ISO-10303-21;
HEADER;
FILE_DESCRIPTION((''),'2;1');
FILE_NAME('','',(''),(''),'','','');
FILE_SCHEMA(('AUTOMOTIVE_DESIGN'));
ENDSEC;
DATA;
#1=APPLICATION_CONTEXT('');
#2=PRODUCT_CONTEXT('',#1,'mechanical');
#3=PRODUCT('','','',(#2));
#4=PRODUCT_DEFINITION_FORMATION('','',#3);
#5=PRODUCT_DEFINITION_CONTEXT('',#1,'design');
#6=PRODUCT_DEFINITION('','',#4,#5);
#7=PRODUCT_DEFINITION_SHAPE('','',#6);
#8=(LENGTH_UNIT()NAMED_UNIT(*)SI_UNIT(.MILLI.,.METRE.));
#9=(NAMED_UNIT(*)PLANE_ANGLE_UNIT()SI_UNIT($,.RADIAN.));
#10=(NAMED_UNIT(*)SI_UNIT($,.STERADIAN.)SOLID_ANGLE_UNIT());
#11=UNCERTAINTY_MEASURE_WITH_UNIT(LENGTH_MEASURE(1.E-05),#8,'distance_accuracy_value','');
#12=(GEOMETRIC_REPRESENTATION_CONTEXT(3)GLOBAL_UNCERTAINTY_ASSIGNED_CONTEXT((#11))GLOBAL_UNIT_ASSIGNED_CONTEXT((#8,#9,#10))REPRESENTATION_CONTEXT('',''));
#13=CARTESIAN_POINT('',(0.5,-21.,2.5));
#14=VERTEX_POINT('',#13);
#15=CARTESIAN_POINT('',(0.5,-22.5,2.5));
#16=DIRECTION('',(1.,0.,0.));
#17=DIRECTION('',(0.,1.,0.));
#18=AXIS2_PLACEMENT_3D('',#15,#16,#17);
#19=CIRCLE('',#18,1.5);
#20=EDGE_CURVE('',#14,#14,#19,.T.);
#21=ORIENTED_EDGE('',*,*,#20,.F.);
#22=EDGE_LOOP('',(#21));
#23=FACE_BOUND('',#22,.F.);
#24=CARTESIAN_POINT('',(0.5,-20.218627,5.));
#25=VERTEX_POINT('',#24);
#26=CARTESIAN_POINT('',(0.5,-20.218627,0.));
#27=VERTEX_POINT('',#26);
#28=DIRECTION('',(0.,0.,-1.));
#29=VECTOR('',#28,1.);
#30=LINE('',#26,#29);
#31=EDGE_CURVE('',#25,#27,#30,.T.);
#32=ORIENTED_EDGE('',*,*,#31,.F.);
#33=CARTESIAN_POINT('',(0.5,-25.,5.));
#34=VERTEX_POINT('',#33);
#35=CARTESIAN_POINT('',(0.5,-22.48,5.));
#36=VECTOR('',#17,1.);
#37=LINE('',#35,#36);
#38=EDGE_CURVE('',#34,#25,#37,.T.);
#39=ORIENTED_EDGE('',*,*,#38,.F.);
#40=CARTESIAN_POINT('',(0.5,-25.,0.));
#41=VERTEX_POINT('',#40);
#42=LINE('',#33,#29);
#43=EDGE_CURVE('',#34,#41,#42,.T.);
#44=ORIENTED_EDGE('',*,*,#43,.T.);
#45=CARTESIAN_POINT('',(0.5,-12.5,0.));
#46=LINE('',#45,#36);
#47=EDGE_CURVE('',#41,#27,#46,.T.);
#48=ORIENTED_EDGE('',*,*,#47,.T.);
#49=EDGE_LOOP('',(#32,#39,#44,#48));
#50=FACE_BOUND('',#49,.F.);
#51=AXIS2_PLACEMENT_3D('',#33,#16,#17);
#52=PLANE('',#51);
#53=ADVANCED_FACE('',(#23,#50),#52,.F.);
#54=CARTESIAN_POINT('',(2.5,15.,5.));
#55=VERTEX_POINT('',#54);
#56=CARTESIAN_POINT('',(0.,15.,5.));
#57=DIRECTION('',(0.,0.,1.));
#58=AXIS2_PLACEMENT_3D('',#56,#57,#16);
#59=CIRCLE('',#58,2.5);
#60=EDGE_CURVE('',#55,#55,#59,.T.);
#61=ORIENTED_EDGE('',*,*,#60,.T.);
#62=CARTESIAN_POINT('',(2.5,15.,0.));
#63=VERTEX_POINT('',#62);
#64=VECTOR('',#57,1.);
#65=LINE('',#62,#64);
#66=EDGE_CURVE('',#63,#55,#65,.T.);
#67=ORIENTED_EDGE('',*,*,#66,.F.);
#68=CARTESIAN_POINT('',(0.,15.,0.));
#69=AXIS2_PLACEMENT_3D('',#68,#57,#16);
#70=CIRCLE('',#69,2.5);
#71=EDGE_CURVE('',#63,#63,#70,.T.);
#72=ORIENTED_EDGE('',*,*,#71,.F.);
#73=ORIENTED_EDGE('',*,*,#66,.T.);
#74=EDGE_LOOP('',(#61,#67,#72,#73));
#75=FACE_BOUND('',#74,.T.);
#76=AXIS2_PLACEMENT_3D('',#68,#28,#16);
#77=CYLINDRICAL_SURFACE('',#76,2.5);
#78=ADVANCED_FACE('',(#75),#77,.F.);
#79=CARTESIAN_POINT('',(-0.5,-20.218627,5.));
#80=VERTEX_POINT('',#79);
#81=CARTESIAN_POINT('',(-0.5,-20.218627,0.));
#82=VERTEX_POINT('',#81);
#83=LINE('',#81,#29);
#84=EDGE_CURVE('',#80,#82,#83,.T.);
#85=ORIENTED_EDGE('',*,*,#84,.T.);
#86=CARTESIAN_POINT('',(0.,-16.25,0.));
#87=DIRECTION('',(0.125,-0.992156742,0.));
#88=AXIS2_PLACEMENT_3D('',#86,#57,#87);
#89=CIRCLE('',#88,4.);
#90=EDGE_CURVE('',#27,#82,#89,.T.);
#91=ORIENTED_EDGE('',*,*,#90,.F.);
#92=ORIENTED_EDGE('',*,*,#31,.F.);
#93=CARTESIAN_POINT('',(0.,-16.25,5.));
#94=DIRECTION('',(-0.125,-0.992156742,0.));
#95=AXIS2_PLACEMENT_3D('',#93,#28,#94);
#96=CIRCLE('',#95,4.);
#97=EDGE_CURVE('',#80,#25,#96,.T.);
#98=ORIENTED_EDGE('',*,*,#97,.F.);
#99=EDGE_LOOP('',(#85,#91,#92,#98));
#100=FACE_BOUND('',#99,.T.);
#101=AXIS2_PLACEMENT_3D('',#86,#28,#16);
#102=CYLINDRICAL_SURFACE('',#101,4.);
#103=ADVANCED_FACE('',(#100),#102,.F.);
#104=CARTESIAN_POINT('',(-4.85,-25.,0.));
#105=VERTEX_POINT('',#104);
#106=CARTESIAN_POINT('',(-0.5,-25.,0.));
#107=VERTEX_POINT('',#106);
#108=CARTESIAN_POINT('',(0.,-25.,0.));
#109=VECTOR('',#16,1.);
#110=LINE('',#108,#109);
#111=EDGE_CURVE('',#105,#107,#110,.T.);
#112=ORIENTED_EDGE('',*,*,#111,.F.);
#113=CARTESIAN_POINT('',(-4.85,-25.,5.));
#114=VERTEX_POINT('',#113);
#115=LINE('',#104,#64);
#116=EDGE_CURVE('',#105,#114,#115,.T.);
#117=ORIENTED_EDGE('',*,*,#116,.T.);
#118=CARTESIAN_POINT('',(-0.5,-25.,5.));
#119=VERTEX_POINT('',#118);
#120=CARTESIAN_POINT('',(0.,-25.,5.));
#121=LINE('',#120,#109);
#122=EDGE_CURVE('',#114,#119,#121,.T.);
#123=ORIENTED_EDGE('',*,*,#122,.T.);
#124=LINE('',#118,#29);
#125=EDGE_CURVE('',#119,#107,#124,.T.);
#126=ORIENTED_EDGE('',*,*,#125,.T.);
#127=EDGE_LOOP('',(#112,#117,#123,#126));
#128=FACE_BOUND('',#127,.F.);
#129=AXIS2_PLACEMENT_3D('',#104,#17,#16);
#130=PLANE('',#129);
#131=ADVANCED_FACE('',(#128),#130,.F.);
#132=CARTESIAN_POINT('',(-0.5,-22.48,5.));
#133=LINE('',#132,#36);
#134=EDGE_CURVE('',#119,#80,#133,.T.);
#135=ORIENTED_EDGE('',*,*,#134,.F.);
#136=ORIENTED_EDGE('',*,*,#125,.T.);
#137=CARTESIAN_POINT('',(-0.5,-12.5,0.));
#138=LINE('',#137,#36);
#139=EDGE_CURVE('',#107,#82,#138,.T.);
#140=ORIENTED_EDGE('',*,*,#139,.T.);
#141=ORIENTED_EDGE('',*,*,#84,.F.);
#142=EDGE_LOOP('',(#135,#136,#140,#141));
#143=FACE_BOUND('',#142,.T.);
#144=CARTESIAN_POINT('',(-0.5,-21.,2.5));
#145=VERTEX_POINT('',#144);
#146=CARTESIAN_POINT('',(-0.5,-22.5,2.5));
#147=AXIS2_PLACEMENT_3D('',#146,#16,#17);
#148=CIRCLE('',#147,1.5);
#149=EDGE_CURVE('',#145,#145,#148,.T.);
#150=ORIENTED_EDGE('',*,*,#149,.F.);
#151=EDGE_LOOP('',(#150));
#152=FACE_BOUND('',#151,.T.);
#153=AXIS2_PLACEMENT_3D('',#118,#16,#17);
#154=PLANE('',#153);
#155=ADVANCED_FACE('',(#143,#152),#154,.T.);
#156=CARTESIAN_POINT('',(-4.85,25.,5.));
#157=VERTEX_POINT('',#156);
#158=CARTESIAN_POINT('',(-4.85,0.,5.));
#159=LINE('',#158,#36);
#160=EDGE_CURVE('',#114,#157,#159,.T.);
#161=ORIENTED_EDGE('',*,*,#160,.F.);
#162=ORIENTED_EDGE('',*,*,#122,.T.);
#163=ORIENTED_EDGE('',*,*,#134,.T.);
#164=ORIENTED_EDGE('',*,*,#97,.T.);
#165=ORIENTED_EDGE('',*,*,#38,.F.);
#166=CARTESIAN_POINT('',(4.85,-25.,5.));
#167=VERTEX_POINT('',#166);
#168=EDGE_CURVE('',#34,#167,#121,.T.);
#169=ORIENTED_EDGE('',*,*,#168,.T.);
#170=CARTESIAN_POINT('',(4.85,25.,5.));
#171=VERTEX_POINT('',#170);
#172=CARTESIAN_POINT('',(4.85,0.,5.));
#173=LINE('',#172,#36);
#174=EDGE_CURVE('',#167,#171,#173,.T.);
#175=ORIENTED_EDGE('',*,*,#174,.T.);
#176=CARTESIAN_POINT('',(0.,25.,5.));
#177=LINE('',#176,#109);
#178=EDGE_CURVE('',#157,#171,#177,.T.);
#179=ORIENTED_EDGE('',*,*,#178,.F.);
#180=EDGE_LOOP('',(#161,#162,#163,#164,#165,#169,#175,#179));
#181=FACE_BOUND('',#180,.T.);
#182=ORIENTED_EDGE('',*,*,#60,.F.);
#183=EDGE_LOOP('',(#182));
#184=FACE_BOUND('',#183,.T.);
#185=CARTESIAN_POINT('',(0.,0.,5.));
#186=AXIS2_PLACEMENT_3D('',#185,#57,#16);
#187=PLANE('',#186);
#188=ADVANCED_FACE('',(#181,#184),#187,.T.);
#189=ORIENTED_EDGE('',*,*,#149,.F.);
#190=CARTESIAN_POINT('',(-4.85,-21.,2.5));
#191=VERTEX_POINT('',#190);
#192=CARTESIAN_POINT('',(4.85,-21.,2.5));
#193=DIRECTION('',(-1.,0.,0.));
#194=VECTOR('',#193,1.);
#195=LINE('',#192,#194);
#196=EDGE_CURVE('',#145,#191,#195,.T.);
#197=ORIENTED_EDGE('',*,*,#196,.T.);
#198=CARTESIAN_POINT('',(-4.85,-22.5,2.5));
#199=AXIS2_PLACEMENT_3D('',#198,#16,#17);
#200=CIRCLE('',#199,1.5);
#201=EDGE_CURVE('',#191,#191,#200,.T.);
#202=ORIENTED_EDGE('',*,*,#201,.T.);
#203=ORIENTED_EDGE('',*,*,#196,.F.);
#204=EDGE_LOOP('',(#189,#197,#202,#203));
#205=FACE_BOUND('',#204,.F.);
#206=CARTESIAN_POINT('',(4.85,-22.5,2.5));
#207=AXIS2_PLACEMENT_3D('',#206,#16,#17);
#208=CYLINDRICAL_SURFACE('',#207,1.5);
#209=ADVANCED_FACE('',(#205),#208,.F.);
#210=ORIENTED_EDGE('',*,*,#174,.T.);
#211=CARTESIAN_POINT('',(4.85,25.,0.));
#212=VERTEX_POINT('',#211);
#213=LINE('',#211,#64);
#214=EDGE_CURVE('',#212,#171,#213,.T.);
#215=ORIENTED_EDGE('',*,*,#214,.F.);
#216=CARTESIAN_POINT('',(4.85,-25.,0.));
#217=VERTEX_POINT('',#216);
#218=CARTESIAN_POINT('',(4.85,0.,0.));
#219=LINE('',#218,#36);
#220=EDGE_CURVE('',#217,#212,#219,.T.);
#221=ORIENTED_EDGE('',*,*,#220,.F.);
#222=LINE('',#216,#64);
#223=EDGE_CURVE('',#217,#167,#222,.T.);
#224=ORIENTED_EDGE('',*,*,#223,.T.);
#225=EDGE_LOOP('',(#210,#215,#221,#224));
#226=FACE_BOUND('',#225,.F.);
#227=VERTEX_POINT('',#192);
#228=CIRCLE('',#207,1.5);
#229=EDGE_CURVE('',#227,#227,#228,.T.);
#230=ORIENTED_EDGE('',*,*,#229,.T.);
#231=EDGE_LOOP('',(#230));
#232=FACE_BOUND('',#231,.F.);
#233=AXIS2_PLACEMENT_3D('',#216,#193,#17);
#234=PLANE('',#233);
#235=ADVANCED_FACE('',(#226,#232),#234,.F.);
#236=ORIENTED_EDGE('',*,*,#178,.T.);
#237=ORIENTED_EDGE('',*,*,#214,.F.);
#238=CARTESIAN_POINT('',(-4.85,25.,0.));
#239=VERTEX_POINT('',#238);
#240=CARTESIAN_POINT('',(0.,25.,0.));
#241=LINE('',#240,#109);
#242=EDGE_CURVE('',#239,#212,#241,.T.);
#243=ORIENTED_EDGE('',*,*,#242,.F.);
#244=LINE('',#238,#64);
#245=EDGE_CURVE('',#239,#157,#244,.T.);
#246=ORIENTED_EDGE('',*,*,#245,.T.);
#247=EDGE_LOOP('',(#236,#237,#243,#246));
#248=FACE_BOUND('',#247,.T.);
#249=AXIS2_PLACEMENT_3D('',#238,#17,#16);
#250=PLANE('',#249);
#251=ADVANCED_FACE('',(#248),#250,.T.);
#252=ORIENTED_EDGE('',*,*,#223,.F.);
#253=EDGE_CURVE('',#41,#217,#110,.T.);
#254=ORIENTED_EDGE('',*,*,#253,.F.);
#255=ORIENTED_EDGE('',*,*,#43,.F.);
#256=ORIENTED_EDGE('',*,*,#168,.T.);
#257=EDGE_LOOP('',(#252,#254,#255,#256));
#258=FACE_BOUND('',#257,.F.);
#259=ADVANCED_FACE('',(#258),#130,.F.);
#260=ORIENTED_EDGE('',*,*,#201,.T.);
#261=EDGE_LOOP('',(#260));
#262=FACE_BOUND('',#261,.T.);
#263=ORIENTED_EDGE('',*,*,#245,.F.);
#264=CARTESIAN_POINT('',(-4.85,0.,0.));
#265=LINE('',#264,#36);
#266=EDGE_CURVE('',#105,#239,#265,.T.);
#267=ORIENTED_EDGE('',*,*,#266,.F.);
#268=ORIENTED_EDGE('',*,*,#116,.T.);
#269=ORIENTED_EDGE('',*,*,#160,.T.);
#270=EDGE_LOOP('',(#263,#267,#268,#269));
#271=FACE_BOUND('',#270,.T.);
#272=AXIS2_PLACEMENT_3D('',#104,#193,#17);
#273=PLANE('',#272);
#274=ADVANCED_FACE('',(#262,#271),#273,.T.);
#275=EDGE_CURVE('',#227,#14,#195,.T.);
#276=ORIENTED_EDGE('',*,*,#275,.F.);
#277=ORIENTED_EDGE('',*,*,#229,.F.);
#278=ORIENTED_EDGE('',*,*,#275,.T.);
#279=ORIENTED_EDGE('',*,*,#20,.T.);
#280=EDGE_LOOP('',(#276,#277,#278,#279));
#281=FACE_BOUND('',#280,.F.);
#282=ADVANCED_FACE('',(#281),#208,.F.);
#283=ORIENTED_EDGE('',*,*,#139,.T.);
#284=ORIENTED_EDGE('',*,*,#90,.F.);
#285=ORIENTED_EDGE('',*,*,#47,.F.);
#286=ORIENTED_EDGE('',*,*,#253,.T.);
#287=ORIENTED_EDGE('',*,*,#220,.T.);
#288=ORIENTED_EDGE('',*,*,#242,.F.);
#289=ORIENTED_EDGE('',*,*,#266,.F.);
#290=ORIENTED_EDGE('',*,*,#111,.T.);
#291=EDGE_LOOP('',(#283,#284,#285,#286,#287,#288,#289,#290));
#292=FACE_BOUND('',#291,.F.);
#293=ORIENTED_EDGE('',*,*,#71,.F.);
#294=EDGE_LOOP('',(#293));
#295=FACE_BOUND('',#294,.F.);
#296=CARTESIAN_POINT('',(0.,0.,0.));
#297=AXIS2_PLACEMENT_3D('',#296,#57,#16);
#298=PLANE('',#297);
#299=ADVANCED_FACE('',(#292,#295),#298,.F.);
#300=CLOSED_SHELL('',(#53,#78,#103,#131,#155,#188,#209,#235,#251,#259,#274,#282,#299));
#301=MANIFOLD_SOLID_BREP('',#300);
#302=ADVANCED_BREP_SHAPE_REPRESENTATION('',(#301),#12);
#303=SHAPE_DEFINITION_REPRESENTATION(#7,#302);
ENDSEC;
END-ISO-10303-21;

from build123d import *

# Parameters (mm, degrees)
SKETCH048_W     = 9.7
SKETCH048_H     = 50
SKETCH048_R     = 4
SKETCH048_R_2   = 2.5
PAD028_DEPTH    = 5
SKETCH049_W     = 1
SKETCH049_H     = 5.04
POCKET023_DEPTH = 5.001
SKETCH050_R     = 1.5
POCKET024_DEPTH = 9.701


with BuildPart() as part:
    # Sketch048 → Pad028 (new body)
    with BuildSketch(Plane.XY):
        Rectangle(SKETCH048_W, SKETCH048_H)
        with Locations((0, -16.25)):
            Circle(SKETCH048_R, mode=Mode.SUBTRACT)
        with Locations((0, 15)):
            Circle(SKETCH048_R_2, mode=Mode.SUBTRACT)
    extrude(amount=PAD028_DEPTH)

    # Sketch049 (on Face8 of Pad028) → Pocket023 (cut, through all)
    with BuildSketch(Plane.XY.offset(5)):
        with Locations((0, -22.48)):
            Rectangle(SKETCH049_W, SKETCH049_H)
    extrude(amount=-POCKET023_DEPTH, mode=Mode.SUBTRACT)

    # Sketch050 (on Face3 of Pocket023) → Pocket024 (cut, through all)
    with BuildSketch(Plane.YZ.offset(4.85)):
        with Locations((-22.5, 2.5)):
            Circle(SKETCH050_R)
    extrude(amount=-POCKET024_DEPTH, mode=Mode.SUBTRACT)


solid = part.part
